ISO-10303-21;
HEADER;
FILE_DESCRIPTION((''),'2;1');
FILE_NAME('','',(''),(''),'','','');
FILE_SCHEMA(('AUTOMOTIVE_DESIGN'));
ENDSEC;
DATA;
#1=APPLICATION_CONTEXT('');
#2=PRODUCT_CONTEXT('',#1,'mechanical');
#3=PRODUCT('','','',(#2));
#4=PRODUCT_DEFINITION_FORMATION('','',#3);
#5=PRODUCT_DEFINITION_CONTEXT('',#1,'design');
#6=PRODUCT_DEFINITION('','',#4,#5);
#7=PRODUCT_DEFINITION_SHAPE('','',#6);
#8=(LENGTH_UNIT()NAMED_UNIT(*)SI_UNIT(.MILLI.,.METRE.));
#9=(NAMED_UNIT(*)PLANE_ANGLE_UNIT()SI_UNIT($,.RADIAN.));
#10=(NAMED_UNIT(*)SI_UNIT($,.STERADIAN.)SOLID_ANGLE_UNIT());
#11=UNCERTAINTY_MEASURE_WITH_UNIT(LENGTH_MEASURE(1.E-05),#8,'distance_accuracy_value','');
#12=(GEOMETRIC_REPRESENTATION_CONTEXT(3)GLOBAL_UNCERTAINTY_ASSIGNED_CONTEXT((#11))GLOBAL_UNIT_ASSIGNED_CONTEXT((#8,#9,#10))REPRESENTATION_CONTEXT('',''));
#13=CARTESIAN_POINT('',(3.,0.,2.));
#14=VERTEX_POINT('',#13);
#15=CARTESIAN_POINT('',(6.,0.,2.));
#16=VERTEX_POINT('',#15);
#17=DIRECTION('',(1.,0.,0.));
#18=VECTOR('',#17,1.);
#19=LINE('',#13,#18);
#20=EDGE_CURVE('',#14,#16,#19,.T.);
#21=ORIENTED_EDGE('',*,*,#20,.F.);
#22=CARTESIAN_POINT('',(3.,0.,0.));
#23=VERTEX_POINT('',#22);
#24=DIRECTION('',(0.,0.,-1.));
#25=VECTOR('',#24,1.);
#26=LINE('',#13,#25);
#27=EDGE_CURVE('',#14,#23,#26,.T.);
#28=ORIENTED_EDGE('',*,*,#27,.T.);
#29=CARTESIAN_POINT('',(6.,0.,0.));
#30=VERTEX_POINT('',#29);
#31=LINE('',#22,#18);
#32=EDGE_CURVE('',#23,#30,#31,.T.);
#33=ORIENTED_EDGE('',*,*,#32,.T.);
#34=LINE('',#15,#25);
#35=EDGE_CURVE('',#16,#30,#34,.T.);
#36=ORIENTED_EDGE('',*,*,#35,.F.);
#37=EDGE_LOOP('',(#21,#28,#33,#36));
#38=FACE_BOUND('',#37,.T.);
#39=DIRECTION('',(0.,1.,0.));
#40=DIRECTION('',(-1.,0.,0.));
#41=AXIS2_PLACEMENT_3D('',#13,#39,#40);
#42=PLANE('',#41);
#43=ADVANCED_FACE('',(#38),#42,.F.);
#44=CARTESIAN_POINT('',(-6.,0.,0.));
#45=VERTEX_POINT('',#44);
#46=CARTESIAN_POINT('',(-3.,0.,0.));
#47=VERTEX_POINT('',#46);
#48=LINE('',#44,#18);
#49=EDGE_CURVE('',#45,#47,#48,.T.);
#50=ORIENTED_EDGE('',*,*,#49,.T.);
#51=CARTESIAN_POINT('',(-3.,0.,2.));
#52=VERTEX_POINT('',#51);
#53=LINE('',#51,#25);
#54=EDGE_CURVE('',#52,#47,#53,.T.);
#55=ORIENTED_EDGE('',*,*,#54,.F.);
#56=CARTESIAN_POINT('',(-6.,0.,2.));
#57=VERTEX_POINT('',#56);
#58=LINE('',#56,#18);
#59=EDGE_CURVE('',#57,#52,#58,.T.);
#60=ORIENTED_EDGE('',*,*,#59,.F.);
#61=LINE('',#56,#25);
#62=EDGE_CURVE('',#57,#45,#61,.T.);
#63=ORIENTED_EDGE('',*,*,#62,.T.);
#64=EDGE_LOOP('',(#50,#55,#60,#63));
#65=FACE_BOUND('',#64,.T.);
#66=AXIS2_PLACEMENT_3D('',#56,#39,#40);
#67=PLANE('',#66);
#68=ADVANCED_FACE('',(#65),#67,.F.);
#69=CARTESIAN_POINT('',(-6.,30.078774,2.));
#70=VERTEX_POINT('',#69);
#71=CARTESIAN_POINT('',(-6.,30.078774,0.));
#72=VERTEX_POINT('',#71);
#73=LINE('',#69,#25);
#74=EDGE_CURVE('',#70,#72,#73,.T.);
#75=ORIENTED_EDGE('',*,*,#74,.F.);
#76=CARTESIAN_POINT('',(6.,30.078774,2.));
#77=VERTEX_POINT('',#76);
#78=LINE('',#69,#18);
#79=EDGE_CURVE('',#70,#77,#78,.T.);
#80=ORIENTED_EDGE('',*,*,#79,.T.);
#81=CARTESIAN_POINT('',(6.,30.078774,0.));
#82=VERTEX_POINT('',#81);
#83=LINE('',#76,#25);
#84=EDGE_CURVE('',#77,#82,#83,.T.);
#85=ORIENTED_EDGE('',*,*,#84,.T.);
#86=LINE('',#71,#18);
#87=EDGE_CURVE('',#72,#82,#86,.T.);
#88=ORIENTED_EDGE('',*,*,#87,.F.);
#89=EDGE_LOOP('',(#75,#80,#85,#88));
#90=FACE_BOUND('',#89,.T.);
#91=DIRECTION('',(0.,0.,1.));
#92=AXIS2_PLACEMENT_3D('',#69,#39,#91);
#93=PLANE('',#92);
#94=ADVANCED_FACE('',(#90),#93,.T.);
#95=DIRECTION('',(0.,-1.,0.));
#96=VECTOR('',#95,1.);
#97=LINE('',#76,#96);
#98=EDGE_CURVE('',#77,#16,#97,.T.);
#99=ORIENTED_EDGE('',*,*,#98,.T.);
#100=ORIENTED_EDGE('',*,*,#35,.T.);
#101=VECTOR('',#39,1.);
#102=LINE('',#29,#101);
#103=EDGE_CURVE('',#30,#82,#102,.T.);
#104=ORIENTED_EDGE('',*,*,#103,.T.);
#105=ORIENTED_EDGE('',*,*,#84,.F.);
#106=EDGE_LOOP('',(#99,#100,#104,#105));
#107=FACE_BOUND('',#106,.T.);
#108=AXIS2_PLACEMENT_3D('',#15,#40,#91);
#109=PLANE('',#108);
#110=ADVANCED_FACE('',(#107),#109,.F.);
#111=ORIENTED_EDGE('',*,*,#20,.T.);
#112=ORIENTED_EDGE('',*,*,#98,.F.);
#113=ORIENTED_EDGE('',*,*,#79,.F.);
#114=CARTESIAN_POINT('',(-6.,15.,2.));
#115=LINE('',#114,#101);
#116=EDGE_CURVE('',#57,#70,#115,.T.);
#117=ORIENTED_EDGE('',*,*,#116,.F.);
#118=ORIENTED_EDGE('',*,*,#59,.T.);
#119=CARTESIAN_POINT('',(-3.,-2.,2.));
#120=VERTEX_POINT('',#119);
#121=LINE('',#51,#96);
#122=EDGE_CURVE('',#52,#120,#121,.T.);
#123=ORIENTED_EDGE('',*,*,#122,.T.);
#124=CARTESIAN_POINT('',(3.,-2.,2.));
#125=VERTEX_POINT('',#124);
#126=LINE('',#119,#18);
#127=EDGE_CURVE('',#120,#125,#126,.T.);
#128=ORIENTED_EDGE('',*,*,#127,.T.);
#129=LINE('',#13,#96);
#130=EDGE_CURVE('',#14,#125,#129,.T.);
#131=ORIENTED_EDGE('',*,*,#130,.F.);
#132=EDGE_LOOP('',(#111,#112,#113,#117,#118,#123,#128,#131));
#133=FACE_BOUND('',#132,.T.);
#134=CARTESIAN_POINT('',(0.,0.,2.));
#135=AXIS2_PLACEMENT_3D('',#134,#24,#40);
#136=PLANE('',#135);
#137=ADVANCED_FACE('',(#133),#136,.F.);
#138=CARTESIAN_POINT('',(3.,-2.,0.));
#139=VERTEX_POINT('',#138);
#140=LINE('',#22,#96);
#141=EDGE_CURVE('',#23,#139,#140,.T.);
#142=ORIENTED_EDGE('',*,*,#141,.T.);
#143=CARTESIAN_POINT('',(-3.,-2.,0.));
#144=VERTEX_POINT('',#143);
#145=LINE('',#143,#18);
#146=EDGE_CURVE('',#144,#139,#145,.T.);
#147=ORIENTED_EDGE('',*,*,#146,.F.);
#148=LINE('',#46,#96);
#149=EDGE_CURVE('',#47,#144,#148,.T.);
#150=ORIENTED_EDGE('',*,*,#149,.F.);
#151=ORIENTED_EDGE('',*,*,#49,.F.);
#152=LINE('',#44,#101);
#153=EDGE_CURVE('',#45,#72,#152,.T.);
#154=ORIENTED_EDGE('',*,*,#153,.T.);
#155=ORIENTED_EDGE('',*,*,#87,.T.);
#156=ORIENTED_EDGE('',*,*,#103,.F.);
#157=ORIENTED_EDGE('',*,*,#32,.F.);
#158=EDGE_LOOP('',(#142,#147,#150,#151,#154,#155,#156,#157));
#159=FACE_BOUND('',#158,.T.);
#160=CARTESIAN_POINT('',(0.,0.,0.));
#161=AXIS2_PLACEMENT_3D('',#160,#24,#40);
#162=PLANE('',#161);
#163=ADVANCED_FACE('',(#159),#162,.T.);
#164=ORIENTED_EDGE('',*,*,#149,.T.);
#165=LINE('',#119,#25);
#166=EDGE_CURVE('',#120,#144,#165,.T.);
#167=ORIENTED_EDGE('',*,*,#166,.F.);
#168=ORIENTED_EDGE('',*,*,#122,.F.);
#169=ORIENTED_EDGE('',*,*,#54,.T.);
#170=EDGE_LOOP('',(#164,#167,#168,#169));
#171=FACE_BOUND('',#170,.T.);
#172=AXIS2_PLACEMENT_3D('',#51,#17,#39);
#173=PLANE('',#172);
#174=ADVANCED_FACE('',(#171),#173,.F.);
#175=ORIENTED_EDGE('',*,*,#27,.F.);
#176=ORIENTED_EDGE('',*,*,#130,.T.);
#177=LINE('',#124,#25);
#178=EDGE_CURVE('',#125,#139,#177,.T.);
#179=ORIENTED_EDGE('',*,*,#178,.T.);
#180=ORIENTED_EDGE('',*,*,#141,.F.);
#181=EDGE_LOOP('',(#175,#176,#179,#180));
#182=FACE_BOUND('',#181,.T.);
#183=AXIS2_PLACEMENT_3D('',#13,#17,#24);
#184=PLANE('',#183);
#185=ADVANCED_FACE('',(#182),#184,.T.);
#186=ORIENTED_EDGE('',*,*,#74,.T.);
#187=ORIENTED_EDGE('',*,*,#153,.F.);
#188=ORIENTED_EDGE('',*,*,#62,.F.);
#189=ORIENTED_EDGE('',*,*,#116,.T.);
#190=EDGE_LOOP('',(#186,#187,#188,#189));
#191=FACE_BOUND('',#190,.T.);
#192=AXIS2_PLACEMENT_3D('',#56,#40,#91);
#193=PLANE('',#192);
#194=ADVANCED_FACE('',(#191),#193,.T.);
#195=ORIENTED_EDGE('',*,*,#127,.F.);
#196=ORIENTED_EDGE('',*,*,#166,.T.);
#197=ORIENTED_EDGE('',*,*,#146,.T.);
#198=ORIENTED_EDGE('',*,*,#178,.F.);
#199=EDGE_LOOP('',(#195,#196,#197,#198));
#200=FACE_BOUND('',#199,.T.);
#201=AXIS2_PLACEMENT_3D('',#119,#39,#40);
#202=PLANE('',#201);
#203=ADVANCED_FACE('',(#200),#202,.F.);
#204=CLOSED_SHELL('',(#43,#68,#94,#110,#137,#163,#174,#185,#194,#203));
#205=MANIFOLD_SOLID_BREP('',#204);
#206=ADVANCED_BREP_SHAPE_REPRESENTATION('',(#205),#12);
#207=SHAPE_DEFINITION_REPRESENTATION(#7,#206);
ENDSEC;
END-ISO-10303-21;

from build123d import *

# Parameters (mm, degrees)
EXTRUDE_1_DEPTH = 2


with BuildPart() as part:
    # 草图1 → 凸台-拉伸1 (new body)
    with BuildSketch(Plane.XY):
        Polygon((-6, 0), (-6, 15), (-6, 30.078774409), (6, 30.078774409), (6, 15), (6, 0), (3, 0), (3, -2), (-3, -2), (-3, 0), align=None)
    extrude(amount=EXTRUDE_1_DEPTH)


solid = part.part
